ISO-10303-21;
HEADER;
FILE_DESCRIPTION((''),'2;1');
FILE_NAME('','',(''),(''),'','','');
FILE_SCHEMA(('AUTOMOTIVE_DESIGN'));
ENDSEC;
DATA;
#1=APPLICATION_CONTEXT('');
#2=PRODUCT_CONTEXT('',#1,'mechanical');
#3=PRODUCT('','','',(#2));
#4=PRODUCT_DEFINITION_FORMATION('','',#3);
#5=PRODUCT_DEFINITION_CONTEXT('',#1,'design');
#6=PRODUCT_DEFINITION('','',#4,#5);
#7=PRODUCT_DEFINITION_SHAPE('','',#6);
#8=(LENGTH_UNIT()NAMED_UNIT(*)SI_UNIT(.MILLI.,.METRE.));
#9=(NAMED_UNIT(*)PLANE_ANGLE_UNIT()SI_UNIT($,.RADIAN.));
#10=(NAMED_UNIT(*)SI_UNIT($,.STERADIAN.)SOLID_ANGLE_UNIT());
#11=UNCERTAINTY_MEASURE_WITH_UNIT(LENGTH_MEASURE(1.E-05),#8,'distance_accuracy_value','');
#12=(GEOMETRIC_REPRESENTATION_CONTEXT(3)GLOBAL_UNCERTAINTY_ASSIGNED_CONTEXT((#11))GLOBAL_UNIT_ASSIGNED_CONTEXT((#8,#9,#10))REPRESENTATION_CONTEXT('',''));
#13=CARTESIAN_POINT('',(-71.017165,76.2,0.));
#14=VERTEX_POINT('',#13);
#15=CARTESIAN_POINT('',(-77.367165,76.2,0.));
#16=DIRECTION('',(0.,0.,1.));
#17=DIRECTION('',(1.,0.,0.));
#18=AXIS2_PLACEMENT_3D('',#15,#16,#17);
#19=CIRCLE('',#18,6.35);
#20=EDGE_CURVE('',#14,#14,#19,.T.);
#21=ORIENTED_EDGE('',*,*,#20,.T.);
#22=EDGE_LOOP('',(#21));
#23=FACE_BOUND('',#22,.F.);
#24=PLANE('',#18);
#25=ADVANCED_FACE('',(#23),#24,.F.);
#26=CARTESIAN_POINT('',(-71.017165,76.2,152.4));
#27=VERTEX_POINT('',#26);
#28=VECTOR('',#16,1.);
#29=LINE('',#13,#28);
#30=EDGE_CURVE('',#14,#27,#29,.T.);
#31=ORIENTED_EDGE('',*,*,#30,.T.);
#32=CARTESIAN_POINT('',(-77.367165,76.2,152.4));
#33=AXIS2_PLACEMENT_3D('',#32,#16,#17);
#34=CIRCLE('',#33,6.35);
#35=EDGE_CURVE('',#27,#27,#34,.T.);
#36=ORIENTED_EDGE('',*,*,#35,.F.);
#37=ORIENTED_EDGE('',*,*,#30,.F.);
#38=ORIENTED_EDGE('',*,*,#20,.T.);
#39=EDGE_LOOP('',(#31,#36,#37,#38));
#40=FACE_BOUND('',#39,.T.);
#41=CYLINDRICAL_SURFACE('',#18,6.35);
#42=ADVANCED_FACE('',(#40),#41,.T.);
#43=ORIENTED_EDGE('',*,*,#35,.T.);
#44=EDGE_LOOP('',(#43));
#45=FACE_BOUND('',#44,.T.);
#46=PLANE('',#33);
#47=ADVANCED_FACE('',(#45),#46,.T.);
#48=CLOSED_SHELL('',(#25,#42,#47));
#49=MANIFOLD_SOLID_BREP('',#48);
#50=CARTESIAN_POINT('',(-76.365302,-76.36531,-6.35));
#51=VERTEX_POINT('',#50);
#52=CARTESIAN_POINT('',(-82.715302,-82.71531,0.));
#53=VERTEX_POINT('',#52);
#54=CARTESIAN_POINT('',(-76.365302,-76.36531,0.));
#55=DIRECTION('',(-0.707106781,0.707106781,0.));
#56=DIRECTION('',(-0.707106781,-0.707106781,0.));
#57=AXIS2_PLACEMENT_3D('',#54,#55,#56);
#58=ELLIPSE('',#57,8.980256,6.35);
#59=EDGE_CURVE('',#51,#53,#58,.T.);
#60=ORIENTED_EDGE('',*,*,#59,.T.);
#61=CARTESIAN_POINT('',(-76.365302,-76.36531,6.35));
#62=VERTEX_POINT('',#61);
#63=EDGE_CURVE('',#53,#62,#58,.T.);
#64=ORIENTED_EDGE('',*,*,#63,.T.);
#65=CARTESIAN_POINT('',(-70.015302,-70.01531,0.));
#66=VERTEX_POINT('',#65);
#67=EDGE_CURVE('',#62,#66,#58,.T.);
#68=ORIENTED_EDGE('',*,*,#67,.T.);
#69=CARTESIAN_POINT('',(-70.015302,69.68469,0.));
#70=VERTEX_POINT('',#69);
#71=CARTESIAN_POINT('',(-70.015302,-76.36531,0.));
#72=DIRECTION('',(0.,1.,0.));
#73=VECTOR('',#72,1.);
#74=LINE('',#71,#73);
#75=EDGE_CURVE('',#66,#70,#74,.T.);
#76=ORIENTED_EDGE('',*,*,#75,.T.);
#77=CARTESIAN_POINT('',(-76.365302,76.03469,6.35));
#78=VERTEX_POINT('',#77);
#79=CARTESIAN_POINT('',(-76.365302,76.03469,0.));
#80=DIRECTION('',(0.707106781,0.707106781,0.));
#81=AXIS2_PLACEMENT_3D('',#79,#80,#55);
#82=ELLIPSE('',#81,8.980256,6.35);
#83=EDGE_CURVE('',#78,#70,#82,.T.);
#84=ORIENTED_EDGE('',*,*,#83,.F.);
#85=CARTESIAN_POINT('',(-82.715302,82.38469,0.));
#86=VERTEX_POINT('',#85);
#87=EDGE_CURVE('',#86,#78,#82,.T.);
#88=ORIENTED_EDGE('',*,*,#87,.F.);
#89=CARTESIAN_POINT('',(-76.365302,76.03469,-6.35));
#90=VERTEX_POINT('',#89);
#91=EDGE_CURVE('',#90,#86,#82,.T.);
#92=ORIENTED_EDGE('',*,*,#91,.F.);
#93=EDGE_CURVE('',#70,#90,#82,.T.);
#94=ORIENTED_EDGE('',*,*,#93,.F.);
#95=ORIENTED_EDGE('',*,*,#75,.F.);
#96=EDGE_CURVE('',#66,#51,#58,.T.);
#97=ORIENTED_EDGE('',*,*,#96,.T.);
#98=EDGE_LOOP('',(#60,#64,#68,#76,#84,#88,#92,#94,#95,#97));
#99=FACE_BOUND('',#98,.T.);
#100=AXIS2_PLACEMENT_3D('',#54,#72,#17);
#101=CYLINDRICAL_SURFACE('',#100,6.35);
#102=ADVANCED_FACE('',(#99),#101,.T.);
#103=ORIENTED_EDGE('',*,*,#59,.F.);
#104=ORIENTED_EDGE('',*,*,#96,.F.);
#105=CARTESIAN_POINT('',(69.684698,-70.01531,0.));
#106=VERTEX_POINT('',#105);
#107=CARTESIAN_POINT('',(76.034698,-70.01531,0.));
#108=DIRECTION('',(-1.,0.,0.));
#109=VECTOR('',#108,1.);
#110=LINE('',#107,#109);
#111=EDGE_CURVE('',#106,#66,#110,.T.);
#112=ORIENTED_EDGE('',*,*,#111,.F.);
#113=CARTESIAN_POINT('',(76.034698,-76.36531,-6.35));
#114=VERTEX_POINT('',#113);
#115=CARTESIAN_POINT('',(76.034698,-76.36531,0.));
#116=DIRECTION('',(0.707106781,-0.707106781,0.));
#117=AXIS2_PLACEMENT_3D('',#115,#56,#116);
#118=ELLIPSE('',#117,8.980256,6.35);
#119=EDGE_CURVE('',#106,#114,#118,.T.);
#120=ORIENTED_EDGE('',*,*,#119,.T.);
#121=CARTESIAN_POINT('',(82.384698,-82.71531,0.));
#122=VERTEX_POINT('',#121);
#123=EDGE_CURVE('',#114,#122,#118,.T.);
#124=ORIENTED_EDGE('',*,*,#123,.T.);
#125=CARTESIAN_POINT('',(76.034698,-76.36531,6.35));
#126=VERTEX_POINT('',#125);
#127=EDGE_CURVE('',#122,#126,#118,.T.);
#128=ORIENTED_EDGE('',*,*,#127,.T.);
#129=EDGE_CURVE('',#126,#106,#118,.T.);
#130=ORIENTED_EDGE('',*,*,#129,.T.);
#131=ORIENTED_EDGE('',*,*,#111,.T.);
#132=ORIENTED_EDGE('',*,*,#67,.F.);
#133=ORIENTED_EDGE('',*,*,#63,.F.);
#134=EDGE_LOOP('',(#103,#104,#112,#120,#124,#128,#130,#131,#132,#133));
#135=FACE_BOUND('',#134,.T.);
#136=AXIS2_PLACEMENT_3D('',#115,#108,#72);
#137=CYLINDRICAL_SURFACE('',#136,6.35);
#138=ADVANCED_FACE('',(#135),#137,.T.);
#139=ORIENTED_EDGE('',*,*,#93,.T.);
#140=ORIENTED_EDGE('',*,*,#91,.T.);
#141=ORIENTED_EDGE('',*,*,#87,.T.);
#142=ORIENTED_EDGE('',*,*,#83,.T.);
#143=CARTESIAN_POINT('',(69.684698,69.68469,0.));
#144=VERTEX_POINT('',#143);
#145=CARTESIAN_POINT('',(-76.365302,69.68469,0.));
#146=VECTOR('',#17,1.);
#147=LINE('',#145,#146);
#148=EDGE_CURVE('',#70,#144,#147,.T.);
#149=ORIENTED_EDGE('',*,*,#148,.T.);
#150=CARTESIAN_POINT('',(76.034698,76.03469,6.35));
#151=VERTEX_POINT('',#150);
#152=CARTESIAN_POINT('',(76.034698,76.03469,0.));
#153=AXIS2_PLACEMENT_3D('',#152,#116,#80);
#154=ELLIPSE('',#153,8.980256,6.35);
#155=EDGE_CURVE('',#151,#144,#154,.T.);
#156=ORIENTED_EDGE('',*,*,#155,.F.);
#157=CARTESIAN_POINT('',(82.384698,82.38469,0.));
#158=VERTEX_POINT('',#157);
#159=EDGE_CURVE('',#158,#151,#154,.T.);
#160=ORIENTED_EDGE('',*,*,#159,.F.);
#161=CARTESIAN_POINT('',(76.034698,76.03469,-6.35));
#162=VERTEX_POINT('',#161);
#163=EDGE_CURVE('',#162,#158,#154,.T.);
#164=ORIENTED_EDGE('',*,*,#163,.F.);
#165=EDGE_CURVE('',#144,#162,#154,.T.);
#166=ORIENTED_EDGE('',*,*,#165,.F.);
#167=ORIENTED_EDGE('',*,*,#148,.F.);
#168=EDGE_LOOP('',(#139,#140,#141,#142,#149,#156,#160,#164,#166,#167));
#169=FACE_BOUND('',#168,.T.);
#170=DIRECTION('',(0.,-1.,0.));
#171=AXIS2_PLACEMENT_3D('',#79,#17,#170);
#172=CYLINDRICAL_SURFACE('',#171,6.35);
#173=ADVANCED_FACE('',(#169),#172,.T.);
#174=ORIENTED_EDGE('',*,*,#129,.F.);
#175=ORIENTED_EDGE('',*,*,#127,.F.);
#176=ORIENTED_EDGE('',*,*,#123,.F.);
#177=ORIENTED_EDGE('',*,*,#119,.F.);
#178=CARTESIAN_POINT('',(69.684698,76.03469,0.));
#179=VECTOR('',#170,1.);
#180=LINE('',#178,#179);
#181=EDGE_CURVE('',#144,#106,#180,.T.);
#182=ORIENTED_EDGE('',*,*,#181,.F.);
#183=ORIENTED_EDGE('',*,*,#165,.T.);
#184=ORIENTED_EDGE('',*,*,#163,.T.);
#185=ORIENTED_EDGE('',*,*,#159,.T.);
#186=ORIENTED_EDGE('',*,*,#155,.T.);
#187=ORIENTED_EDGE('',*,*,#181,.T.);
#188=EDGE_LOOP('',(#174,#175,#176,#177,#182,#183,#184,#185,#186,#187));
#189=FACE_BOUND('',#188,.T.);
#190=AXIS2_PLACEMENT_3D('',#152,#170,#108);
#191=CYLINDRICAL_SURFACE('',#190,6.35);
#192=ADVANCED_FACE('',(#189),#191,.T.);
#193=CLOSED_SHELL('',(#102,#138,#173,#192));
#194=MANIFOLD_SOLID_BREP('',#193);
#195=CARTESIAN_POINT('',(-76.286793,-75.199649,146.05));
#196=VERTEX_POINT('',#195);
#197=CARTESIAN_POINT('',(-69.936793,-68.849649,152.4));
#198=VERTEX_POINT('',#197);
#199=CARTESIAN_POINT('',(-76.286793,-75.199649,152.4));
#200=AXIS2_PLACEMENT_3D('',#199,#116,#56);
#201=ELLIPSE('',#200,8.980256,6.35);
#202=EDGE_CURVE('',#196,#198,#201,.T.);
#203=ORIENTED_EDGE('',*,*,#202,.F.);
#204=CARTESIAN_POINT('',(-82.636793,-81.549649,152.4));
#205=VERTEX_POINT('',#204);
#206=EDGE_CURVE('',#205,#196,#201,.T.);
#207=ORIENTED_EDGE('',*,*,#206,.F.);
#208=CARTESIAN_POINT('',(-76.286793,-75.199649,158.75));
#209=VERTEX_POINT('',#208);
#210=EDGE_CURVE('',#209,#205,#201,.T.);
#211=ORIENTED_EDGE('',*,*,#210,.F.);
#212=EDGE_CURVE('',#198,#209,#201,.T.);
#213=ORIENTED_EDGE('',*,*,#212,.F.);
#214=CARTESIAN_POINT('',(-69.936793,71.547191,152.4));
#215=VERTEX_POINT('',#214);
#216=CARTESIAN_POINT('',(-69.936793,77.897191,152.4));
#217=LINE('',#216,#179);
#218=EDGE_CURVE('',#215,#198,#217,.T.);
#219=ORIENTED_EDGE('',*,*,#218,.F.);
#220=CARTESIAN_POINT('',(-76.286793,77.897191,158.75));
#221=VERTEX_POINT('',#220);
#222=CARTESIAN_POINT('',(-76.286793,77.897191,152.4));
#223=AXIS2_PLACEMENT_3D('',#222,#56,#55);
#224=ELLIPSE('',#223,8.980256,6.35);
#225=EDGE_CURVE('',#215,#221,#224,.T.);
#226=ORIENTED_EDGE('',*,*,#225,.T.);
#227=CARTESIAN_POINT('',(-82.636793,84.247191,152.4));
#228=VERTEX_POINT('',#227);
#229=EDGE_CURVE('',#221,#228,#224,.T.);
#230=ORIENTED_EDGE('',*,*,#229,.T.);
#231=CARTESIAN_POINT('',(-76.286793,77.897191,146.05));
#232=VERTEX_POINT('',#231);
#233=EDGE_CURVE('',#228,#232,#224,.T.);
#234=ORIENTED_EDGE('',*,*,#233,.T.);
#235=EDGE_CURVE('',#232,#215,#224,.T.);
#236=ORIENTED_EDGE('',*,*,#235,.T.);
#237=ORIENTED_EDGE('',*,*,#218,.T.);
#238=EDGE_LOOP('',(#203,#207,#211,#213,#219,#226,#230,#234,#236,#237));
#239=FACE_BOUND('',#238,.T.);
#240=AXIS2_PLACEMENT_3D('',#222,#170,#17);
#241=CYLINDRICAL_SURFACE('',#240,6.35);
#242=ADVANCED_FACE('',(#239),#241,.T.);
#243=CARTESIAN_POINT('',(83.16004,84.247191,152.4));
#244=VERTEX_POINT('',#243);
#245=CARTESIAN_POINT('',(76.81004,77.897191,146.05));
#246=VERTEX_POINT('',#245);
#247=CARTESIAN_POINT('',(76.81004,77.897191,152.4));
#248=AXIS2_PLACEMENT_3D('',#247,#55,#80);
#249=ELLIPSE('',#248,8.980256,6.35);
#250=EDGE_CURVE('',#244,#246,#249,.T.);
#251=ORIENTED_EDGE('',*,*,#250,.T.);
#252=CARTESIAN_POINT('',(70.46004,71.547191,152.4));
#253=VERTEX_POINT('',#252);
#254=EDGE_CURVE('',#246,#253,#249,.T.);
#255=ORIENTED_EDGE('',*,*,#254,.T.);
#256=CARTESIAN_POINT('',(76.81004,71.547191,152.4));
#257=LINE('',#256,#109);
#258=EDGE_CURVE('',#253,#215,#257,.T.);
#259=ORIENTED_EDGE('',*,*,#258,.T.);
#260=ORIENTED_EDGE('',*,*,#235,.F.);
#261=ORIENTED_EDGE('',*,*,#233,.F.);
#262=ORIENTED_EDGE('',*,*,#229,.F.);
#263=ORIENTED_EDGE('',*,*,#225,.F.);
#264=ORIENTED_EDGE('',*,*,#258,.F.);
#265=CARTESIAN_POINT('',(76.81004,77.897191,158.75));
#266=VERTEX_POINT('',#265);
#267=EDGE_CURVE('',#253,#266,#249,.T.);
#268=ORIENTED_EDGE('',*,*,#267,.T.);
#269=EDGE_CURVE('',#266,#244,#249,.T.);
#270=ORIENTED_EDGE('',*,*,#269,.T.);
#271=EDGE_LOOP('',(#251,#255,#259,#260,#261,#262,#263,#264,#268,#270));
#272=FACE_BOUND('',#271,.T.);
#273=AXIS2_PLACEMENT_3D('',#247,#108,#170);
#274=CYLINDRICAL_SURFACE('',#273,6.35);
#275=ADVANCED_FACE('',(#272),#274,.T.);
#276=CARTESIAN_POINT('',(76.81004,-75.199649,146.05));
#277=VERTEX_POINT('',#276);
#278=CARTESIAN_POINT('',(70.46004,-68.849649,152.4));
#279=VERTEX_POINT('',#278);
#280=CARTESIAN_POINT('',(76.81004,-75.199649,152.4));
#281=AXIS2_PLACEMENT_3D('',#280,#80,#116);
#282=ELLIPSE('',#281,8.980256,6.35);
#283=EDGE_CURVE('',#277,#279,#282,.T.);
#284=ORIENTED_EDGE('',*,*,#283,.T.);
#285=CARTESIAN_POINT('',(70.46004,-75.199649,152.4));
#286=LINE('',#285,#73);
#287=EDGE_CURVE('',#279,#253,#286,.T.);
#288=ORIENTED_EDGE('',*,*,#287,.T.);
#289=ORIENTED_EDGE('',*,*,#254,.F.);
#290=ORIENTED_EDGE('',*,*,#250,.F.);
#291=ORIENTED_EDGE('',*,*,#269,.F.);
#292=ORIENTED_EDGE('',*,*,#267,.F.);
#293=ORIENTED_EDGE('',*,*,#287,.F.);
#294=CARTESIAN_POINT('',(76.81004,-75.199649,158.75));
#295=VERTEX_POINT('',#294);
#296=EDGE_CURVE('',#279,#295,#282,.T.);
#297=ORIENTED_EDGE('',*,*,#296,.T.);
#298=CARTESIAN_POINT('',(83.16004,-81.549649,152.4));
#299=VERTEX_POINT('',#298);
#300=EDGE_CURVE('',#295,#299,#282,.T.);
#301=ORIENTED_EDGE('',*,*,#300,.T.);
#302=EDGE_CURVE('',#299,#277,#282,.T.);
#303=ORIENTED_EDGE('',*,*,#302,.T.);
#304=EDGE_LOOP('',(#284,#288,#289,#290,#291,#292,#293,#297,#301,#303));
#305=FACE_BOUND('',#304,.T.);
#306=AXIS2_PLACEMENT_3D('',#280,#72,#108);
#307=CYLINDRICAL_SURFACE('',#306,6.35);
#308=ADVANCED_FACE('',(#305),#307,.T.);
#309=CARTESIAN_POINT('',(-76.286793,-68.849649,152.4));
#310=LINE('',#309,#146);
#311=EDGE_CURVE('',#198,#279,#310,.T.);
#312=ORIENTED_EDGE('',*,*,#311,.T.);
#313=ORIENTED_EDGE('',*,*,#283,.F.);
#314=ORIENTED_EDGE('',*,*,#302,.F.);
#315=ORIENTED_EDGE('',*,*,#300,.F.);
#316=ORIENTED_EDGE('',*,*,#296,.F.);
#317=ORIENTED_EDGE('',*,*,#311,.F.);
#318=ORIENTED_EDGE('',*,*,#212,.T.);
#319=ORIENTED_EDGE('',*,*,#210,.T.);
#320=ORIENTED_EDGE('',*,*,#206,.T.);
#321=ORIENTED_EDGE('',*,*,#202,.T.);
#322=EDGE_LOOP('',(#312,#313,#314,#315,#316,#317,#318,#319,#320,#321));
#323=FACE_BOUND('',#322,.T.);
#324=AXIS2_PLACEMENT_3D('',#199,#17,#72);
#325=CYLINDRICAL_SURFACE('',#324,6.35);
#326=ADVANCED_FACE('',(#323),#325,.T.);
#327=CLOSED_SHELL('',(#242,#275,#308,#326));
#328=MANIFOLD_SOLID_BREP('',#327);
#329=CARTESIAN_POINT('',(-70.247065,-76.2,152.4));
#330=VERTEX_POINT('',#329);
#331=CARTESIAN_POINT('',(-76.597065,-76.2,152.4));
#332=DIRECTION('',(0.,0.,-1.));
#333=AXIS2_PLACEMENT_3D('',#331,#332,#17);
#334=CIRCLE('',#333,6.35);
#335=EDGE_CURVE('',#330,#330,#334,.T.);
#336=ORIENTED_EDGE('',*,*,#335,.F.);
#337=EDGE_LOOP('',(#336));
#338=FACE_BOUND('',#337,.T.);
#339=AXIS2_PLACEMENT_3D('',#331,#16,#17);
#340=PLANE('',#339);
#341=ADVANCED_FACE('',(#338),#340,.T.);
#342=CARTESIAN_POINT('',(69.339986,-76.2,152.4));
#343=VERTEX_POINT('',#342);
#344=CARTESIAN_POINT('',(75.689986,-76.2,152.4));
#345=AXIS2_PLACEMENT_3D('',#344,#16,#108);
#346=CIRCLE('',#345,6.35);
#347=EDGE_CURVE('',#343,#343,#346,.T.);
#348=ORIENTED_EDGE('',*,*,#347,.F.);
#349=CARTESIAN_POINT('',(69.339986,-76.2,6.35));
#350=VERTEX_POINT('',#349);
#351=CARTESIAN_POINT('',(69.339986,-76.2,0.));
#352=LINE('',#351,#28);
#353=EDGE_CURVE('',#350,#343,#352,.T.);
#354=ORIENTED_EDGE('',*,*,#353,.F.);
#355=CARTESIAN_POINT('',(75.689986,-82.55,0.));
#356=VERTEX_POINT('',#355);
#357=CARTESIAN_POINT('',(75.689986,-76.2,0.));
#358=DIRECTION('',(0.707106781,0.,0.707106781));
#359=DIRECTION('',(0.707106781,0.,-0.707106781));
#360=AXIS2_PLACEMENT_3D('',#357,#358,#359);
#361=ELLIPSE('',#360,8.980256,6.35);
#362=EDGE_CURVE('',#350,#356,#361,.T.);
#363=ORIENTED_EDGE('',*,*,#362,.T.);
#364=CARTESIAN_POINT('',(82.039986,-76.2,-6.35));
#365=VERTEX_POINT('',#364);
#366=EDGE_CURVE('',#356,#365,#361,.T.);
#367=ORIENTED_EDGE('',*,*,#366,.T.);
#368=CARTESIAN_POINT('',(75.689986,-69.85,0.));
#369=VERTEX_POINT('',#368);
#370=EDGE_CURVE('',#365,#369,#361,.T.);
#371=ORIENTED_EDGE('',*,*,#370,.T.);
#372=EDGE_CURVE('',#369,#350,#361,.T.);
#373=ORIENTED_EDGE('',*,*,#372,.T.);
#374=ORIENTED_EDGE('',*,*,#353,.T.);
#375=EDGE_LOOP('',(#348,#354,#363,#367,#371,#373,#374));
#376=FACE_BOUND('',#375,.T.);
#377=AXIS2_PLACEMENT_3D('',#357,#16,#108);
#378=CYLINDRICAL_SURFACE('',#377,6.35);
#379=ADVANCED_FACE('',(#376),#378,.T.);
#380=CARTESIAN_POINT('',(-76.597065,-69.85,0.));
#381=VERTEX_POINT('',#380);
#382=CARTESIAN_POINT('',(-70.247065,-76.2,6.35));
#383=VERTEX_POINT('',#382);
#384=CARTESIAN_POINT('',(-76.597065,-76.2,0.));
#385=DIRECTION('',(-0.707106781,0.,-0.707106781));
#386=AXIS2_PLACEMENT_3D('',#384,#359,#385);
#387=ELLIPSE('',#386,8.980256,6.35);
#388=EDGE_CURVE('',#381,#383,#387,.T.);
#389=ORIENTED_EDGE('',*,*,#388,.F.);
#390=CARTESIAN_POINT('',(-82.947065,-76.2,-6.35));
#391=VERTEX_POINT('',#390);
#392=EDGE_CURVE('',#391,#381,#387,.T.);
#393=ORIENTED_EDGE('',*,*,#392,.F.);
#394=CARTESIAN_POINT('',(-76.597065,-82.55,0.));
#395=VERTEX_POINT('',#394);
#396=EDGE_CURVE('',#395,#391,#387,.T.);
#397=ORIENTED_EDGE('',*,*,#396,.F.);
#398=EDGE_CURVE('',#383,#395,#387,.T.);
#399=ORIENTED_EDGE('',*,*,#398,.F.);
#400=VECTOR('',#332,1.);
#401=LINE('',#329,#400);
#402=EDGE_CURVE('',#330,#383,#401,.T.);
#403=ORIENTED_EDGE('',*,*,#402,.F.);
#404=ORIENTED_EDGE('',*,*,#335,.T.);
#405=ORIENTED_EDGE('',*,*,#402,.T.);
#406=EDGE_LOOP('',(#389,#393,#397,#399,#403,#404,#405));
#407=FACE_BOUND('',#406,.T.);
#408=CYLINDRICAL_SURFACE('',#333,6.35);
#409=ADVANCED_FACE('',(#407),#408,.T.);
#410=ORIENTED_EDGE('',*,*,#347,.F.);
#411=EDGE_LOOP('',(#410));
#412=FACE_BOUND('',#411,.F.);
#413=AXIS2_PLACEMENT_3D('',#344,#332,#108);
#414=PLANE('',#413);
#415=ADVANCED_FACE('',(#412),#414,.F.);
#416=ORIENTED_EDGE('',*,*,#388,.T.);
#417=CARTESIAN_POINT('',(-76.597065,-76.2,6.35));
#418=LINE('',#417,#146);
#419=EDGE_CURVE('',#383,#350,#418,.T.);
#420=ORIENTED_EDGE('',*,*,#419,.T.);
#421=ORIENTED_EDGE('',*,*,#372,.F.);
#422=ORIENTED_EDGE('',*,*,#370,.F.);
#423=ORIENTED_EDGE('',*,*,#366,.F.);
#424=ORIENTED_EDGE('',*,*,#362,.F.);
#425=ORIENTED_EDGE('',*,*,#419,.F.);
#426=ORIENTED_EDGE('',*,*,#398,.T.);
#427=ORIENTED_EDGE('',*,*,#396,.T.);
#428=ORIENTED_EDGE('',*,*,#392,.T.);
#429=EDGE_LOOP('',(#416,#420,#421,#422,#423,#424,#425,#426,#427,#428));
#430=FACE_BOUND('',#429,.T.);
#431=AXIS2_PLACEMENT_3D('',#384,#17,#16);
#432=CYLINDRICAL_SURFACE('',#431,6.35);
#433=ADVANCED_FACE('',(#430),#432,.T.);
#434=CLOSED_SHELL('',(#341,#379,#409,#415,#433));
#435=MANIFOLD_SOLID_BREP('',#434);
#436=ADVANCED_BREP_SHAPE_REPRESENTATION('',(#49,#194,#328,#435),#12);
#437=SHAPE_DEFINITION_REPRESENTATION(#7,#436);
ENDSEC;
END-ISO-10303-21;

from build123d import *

# Parameters (mm, degrees)
F1_R  = 6.35
F6_R  = 6.35
F9_R  = 6.35
F13_R = 6.35


with BuildPart() as f2:
    # F2: sweep along a path in F0
    with BuildLine(Plane.XY) as f2_path:
        Line((-76.3653023233, 76.034690243), (76.0346976767, 76.034690243))
        Line((76.0346976767, 76.034690243), (76.0346976767, -76.365309757))
        Line((76.0346976767, -76.365309757), (-76.3653023233, -76.365309757))
        Line((-76.3653023233, -76.365309757), (-76.3653023233, 76.034690243))
    # F1 (on Front) → F2 (sweep)
    with BuildSketch(Plane.XZ):
        with Locations((-76.3653023233, 0)):
            Circle(F1_R)
    sweep(path=f2_path.line, transition=Transition.RIGHT)


with BuildPart() as f7:
    # F7: sweep along a path in F5
    with BuildLine(Plane.XZ.offset(-76.2)) as f7_path:
        Line((-77.3671647617, 0), (-77.3671647617, 152.4))
    # F6 (on Top) → F7 (sweep)
    with BuildSketch(Plane.XY):
        with Locations((-77.3671647617, 76.2)):
            Circle(F6_R)
    sweep(path=f7_path.line)


with BuildPart() as f10:
    # F10: sweep along a path in F8
    with BuildLine(Plane.XZ.offset(76.2)) as f10_path:
        Line((-76.5970647335, 152.4), (-76.5970647335, 0))
        Line((-76.5970647335, 0), (75.6899863482, 0))
        Line((75.6899863482, 0), (75.6899863482, 152.4))
    # F9 (on Top) → F10 (sweep)
    with BuildSketch(Plane.XY):
        with Locations((-76.5970647335, -76.2)):
            Circle(F9_R)
    sweep(path=f10_path.line, transition=Transition.RIGHT)


with BuildPart() as f14:
    # F14: sweep along a path in F12
    with BuildLine(Plane.XY.offset(152.4)) as f14_path:
        Line((-76.2867927551, -75.1996487379), (76.8100395799, -75.1996487379))
        Line((76.8100395799, -75.1996487379), (76.8100395799, 77.8971910477))
        Line((76.8100395799, 77.8971910477), (-76.2867927551, 77.8971910477))
        Line((-76.2867927551, 77.8971910477), (-76.2867927551, -75.1996487379))
    # F13 (on offset) → F14 (sweep)
    with BuildSketch(Plane.XZ.offset(-76.2)):
        with Locations((-76.2867927551, 152.4)):
            Circle(F13_R)
    sweep(path=f14_path.line, transition=Transition.RIGHT)


solid = Compound([f2.part, f7.part, f10.part, f14.part])
